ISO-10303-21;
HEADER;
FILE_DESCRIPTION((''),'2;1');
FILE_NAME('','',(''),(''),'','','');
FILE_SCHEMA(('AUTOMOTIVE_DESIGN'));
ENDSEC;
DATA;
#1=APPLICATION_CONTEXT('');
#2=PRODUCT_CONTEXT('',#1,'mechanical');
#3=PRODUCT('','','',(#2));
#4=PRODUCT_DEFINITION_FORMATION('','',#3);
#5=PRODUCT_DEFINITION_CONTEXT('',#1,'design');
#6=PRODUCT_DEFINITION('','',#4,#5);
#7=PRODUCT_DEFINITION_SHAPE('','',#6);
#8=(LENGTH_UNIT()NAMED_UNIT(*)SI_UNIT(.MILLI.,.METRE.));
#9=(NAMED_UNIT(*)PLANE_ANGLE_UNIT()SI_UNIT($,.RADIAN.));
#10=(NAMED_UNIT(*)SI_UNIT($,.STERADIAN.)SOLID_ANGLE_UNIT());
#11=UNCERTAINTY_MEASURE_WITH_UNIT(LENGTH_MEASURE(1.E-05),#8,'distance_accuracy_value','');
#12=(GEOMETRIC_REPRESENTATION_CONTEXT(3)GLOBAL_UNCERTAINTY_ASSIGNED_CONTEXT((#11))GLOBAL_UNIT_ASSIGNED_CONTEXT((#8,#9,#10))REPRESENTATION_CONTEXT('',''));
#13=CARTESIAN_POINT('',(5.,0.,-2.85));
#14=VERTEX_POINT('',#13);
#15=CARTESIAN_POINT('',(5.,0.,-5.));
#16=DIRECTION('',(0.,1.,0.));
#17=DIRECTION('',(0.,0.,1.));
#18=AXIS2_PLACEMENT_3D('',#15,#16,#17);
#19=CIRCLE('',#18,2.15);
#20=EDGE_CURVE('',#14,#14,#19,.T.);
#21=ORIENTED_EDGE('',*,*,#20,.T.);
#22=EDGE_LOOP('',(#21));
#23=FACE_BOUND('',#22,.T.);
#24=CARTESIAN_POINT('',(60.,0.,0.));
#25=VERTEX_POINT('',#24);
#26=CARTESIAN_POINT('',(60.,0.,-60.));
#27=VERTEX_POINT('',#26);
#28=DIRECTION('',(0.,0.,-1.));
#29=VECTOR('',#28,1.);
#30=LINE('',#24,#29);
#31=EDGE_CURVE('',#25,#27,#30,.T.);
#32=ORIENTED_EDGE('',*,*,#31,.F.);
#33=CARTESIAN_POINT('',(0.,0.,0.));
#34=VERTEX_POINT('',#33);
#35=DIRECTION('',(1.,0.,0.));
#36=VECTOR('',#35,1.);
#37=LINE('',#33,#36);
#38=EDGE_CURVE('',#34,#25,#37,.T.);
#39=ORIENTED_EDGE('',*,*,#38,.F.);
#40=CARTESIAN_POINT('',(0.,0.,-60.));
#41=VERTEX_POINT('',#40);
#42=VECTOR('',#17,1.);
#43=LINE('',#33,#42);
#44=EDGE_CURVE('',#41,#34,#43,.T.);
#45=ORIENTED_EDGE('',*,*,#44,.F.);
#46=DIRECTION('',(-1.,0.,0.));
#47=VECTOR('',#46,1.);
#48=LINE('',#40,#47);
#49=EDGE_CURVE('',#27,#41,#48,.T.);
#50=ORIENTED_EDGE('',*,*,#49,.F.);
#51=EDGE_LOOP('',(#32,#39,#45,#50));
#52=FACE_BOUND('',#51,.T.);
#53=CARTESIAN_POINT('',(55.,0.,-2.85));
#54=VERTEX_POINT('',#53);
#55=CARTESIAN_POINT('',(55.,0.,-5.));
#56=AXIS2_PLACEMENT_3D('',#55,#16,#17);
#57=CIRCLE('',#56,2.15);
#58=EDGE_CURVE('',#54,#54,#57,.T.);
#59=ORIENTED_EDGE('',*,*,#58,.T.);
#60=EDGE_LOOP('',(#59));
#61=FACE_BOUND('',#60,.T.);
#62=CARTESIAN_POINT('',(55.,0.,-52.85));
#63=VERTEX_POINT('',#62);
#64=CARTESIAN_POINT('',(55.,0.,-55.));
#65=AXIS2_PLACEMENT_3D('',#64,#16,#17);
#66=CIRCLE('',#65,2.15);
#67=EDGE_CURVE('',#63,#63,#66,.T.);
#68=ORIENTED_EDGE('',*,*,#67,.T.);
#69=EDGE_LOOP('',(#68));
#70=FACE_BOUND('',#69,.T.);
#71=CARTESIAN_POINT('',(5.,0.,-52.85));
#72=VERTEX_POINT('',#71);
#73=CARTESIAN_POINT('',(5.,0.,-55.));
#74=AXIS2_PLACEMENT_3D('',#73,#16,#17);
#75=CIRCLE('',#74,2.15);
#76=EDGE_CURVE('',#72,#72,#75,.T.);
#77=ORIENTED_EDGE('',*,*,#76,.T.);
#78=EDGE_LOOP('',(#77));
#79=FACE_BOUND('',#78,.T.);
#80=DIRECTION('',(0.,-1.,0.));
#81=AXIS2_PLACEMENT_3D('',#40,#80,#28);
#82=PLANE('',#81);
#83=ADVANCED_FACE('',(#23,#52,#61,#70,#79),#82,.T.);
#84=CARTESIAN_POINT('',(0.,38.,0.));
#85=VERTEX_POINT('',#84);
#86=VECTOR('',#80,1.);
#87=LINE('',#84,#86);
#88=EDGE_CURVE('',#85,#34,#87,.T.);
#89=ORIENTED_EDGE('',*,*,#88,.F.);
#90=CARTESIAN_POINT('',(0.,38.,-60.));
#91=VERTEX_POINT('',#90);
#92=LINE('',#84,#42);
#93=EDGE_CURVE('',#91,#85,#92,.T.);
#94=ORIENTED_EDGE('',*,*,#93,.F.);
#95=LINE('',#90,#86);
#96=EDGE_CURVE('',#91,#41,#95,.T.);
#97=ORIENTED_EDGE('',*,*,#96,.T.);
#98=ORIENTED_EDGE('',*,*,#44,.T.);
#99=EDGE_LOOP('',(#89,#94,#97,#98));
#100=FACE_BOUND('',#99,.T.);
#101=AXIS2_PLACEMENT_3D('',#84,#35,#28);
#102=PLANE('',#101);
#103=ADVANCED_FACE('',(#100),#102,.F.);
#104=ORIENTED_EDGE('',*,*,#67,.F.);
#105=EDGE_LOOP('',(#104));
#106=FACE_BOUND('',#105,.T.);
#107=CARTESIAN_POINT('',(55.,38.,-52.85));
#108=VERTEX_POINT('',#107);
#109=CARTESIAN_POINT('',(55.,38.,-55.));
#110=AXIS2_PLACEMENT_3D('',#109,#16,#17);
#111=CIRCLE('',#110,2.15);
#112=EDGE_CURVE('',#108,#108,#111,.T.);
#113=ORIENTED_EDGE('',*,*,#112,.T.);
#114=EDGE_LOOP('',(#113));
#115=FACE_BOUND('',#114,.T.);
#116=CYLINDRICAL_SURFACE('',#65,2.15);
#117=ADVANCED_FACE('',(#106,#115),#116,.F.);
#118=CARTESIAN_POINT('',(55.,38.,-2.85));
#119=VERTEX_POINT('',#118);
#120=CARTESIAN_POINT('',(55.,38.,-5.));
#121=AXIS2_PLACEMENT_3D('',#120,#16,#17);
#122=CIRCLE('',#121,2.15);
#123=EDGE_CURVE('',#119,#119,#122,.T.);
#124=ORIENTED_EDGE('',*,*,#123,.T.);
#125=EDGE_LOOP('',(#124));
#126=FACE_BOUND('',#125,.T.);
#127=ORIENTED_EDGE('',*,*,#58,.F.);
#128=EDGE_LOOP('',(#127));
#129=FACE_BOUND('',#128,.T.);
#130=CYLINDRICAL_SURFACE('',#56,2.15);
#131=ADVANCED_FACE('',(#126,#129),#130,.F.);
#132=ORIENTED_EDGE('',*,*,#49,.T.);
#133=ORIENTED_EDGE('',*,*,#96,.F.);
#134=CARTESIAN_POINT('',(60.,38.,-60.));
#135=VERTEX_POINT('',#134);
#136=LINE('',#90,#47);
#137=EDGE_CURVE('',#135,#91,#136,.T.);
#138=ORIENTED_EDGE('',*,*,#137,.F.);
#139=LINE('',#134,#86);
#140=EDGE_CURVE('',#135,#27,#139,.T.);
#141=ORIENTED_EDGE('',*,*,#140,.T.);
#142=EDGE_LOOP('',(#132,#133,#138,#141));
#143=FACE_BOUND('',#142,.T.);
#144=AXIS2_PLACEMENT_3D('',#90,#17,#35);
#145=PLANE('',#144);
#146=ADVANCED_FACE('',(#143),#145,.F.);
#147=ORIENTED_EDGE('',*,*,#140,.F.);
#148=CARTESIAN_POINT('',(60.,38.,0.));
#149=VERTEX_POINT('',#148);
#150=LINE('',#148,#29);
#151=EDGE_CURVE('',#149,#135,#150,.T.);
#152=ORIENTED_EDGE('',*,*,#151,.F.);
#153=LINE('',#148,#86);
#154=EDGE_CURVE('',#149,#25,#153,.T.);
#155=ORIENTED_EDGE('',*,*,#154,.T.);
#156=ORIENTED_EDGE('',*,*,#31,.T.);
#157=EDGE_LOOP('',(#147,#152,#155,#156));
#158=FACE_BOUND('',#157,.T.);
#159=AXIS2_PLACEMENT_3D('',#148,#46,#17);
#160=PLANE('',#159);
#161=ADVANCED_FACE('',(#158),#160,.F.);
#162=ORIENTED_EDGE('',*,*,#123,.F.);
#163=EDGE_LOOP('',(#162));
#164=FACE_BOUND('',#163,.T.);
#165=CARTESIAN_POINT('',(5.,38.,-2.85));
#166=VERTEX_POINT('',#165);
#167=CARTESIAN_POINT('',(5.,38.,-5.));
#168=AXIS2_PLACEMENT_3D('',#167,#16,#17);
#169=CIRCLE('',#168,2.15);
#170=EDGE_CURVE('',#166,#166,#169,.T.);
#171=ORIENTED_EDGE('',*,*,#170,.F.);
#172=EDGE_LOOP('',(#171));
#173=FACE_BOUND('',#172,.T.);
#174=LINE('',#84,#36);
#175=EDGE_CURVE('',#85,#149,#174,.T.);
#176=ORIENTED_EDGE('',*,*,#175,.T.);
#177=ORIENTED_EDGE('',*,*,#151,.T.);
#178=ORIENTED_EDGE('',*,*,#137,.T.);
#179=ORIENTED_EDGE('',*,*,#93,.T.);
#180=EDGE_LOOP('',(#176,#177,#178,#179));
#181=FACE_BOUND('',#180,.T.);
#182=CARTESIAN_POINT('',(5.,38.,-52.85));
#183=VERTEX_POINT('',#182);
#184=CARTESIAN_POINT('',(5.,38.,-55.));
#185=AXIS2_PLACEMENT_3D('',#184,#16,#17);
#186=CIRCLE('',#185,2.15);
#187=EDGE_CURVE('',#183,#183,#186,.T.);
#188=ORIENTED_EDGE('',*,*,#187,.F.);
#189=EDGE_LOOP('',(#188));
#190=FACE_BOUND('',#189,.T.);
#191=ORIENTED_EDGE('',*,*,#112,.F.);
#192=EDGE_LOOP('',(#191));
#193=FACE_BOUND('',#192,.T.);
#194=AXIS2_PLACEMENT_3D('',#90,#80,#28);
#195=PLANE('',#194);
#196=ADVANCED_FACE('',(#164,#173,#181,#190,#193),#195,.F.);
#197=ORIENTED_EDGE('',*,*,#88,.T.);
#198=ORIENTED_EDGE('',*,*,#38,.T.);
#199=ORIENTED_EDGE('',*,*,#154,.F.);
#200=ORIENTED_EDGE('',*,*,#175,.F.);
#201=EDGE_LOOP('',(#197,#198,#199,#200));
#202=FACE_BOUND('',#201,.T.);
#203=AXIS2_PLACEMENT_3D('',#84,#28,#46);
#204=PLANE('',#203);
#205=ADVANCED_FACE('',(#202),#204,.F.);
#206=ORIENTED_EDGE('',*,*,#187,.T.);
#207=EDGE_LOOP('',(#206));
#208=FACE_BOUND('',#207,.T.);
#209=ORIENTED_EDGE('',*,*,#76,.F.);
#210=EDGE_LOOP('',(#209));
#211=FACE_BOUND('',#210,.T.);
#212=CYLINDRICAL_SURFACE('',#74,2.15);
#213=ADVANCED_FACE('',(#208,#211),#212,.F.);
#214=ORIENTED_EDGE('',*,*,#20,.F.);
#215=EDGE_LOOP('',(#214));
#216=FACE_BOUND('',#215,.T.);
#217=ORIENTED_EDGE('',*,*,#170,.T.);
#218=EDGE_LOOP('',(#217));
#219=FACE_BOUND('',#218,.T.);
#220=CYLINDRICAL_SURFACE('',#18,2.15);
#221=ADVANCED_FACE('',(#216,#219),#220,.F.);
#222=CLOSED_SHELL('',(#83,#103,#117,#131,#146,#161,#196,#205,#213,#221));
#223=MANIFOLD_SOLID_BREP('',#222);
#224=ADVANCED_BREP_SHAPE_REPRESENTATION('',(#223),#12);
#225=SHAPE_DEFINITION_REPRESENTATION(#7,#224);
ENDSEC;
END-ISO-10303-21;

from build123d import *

# Parameters (mm, degrees)
SKETCH1_W           = 60
SKETCH1_H           = 60
BOSS_EXTRUDE1_DEPTH = 38
SKETCH2_R           = 2.15
CUT_EXTRUDE1_DEPTH  = 93.973114393


with BuildPart() as part:
    # Sketch1 → Boss-Extrude1 (new body)
    with BuildSketch(Plane(origin=(0, 0, 0), x_dir=(1, 0, 0), z_dir=(0, 1, 0))):
        with Locations((30, 30)):
            Rectangle(SKETCH1_W, SKETCH1_H)
    extrude(amount=BOSS_EXTRUDE1_DEPTH)

    # Sketch2 → Cut-Extrude1 (cut, through all)
    with BuildSketch(Plane(origin=(0, 38, 0), x_dir=(1, 0, 0), z_dir=(0, 1, 0))):
        with Locations(Location((5, 5, 0), (0, 0, 270))):
            Circle(SKETCH2_R)
        with Locations(Location((5, 55, 0), (0, 0, 270))):
            Circle(SKETCH2_R)
        with Locations(Location((55, 55, 0), (0, 0, 270))):
            Circle(SKETCH2_R)
        with Locations(Location((55, 5, 0), (0, 0, 270))):
            Circle(SKETCH2_R)
    extrude(amount=-CUT_EXTRUDE1_DEPTH, mode=Mode.SUBTRACT)


solid = part.part
